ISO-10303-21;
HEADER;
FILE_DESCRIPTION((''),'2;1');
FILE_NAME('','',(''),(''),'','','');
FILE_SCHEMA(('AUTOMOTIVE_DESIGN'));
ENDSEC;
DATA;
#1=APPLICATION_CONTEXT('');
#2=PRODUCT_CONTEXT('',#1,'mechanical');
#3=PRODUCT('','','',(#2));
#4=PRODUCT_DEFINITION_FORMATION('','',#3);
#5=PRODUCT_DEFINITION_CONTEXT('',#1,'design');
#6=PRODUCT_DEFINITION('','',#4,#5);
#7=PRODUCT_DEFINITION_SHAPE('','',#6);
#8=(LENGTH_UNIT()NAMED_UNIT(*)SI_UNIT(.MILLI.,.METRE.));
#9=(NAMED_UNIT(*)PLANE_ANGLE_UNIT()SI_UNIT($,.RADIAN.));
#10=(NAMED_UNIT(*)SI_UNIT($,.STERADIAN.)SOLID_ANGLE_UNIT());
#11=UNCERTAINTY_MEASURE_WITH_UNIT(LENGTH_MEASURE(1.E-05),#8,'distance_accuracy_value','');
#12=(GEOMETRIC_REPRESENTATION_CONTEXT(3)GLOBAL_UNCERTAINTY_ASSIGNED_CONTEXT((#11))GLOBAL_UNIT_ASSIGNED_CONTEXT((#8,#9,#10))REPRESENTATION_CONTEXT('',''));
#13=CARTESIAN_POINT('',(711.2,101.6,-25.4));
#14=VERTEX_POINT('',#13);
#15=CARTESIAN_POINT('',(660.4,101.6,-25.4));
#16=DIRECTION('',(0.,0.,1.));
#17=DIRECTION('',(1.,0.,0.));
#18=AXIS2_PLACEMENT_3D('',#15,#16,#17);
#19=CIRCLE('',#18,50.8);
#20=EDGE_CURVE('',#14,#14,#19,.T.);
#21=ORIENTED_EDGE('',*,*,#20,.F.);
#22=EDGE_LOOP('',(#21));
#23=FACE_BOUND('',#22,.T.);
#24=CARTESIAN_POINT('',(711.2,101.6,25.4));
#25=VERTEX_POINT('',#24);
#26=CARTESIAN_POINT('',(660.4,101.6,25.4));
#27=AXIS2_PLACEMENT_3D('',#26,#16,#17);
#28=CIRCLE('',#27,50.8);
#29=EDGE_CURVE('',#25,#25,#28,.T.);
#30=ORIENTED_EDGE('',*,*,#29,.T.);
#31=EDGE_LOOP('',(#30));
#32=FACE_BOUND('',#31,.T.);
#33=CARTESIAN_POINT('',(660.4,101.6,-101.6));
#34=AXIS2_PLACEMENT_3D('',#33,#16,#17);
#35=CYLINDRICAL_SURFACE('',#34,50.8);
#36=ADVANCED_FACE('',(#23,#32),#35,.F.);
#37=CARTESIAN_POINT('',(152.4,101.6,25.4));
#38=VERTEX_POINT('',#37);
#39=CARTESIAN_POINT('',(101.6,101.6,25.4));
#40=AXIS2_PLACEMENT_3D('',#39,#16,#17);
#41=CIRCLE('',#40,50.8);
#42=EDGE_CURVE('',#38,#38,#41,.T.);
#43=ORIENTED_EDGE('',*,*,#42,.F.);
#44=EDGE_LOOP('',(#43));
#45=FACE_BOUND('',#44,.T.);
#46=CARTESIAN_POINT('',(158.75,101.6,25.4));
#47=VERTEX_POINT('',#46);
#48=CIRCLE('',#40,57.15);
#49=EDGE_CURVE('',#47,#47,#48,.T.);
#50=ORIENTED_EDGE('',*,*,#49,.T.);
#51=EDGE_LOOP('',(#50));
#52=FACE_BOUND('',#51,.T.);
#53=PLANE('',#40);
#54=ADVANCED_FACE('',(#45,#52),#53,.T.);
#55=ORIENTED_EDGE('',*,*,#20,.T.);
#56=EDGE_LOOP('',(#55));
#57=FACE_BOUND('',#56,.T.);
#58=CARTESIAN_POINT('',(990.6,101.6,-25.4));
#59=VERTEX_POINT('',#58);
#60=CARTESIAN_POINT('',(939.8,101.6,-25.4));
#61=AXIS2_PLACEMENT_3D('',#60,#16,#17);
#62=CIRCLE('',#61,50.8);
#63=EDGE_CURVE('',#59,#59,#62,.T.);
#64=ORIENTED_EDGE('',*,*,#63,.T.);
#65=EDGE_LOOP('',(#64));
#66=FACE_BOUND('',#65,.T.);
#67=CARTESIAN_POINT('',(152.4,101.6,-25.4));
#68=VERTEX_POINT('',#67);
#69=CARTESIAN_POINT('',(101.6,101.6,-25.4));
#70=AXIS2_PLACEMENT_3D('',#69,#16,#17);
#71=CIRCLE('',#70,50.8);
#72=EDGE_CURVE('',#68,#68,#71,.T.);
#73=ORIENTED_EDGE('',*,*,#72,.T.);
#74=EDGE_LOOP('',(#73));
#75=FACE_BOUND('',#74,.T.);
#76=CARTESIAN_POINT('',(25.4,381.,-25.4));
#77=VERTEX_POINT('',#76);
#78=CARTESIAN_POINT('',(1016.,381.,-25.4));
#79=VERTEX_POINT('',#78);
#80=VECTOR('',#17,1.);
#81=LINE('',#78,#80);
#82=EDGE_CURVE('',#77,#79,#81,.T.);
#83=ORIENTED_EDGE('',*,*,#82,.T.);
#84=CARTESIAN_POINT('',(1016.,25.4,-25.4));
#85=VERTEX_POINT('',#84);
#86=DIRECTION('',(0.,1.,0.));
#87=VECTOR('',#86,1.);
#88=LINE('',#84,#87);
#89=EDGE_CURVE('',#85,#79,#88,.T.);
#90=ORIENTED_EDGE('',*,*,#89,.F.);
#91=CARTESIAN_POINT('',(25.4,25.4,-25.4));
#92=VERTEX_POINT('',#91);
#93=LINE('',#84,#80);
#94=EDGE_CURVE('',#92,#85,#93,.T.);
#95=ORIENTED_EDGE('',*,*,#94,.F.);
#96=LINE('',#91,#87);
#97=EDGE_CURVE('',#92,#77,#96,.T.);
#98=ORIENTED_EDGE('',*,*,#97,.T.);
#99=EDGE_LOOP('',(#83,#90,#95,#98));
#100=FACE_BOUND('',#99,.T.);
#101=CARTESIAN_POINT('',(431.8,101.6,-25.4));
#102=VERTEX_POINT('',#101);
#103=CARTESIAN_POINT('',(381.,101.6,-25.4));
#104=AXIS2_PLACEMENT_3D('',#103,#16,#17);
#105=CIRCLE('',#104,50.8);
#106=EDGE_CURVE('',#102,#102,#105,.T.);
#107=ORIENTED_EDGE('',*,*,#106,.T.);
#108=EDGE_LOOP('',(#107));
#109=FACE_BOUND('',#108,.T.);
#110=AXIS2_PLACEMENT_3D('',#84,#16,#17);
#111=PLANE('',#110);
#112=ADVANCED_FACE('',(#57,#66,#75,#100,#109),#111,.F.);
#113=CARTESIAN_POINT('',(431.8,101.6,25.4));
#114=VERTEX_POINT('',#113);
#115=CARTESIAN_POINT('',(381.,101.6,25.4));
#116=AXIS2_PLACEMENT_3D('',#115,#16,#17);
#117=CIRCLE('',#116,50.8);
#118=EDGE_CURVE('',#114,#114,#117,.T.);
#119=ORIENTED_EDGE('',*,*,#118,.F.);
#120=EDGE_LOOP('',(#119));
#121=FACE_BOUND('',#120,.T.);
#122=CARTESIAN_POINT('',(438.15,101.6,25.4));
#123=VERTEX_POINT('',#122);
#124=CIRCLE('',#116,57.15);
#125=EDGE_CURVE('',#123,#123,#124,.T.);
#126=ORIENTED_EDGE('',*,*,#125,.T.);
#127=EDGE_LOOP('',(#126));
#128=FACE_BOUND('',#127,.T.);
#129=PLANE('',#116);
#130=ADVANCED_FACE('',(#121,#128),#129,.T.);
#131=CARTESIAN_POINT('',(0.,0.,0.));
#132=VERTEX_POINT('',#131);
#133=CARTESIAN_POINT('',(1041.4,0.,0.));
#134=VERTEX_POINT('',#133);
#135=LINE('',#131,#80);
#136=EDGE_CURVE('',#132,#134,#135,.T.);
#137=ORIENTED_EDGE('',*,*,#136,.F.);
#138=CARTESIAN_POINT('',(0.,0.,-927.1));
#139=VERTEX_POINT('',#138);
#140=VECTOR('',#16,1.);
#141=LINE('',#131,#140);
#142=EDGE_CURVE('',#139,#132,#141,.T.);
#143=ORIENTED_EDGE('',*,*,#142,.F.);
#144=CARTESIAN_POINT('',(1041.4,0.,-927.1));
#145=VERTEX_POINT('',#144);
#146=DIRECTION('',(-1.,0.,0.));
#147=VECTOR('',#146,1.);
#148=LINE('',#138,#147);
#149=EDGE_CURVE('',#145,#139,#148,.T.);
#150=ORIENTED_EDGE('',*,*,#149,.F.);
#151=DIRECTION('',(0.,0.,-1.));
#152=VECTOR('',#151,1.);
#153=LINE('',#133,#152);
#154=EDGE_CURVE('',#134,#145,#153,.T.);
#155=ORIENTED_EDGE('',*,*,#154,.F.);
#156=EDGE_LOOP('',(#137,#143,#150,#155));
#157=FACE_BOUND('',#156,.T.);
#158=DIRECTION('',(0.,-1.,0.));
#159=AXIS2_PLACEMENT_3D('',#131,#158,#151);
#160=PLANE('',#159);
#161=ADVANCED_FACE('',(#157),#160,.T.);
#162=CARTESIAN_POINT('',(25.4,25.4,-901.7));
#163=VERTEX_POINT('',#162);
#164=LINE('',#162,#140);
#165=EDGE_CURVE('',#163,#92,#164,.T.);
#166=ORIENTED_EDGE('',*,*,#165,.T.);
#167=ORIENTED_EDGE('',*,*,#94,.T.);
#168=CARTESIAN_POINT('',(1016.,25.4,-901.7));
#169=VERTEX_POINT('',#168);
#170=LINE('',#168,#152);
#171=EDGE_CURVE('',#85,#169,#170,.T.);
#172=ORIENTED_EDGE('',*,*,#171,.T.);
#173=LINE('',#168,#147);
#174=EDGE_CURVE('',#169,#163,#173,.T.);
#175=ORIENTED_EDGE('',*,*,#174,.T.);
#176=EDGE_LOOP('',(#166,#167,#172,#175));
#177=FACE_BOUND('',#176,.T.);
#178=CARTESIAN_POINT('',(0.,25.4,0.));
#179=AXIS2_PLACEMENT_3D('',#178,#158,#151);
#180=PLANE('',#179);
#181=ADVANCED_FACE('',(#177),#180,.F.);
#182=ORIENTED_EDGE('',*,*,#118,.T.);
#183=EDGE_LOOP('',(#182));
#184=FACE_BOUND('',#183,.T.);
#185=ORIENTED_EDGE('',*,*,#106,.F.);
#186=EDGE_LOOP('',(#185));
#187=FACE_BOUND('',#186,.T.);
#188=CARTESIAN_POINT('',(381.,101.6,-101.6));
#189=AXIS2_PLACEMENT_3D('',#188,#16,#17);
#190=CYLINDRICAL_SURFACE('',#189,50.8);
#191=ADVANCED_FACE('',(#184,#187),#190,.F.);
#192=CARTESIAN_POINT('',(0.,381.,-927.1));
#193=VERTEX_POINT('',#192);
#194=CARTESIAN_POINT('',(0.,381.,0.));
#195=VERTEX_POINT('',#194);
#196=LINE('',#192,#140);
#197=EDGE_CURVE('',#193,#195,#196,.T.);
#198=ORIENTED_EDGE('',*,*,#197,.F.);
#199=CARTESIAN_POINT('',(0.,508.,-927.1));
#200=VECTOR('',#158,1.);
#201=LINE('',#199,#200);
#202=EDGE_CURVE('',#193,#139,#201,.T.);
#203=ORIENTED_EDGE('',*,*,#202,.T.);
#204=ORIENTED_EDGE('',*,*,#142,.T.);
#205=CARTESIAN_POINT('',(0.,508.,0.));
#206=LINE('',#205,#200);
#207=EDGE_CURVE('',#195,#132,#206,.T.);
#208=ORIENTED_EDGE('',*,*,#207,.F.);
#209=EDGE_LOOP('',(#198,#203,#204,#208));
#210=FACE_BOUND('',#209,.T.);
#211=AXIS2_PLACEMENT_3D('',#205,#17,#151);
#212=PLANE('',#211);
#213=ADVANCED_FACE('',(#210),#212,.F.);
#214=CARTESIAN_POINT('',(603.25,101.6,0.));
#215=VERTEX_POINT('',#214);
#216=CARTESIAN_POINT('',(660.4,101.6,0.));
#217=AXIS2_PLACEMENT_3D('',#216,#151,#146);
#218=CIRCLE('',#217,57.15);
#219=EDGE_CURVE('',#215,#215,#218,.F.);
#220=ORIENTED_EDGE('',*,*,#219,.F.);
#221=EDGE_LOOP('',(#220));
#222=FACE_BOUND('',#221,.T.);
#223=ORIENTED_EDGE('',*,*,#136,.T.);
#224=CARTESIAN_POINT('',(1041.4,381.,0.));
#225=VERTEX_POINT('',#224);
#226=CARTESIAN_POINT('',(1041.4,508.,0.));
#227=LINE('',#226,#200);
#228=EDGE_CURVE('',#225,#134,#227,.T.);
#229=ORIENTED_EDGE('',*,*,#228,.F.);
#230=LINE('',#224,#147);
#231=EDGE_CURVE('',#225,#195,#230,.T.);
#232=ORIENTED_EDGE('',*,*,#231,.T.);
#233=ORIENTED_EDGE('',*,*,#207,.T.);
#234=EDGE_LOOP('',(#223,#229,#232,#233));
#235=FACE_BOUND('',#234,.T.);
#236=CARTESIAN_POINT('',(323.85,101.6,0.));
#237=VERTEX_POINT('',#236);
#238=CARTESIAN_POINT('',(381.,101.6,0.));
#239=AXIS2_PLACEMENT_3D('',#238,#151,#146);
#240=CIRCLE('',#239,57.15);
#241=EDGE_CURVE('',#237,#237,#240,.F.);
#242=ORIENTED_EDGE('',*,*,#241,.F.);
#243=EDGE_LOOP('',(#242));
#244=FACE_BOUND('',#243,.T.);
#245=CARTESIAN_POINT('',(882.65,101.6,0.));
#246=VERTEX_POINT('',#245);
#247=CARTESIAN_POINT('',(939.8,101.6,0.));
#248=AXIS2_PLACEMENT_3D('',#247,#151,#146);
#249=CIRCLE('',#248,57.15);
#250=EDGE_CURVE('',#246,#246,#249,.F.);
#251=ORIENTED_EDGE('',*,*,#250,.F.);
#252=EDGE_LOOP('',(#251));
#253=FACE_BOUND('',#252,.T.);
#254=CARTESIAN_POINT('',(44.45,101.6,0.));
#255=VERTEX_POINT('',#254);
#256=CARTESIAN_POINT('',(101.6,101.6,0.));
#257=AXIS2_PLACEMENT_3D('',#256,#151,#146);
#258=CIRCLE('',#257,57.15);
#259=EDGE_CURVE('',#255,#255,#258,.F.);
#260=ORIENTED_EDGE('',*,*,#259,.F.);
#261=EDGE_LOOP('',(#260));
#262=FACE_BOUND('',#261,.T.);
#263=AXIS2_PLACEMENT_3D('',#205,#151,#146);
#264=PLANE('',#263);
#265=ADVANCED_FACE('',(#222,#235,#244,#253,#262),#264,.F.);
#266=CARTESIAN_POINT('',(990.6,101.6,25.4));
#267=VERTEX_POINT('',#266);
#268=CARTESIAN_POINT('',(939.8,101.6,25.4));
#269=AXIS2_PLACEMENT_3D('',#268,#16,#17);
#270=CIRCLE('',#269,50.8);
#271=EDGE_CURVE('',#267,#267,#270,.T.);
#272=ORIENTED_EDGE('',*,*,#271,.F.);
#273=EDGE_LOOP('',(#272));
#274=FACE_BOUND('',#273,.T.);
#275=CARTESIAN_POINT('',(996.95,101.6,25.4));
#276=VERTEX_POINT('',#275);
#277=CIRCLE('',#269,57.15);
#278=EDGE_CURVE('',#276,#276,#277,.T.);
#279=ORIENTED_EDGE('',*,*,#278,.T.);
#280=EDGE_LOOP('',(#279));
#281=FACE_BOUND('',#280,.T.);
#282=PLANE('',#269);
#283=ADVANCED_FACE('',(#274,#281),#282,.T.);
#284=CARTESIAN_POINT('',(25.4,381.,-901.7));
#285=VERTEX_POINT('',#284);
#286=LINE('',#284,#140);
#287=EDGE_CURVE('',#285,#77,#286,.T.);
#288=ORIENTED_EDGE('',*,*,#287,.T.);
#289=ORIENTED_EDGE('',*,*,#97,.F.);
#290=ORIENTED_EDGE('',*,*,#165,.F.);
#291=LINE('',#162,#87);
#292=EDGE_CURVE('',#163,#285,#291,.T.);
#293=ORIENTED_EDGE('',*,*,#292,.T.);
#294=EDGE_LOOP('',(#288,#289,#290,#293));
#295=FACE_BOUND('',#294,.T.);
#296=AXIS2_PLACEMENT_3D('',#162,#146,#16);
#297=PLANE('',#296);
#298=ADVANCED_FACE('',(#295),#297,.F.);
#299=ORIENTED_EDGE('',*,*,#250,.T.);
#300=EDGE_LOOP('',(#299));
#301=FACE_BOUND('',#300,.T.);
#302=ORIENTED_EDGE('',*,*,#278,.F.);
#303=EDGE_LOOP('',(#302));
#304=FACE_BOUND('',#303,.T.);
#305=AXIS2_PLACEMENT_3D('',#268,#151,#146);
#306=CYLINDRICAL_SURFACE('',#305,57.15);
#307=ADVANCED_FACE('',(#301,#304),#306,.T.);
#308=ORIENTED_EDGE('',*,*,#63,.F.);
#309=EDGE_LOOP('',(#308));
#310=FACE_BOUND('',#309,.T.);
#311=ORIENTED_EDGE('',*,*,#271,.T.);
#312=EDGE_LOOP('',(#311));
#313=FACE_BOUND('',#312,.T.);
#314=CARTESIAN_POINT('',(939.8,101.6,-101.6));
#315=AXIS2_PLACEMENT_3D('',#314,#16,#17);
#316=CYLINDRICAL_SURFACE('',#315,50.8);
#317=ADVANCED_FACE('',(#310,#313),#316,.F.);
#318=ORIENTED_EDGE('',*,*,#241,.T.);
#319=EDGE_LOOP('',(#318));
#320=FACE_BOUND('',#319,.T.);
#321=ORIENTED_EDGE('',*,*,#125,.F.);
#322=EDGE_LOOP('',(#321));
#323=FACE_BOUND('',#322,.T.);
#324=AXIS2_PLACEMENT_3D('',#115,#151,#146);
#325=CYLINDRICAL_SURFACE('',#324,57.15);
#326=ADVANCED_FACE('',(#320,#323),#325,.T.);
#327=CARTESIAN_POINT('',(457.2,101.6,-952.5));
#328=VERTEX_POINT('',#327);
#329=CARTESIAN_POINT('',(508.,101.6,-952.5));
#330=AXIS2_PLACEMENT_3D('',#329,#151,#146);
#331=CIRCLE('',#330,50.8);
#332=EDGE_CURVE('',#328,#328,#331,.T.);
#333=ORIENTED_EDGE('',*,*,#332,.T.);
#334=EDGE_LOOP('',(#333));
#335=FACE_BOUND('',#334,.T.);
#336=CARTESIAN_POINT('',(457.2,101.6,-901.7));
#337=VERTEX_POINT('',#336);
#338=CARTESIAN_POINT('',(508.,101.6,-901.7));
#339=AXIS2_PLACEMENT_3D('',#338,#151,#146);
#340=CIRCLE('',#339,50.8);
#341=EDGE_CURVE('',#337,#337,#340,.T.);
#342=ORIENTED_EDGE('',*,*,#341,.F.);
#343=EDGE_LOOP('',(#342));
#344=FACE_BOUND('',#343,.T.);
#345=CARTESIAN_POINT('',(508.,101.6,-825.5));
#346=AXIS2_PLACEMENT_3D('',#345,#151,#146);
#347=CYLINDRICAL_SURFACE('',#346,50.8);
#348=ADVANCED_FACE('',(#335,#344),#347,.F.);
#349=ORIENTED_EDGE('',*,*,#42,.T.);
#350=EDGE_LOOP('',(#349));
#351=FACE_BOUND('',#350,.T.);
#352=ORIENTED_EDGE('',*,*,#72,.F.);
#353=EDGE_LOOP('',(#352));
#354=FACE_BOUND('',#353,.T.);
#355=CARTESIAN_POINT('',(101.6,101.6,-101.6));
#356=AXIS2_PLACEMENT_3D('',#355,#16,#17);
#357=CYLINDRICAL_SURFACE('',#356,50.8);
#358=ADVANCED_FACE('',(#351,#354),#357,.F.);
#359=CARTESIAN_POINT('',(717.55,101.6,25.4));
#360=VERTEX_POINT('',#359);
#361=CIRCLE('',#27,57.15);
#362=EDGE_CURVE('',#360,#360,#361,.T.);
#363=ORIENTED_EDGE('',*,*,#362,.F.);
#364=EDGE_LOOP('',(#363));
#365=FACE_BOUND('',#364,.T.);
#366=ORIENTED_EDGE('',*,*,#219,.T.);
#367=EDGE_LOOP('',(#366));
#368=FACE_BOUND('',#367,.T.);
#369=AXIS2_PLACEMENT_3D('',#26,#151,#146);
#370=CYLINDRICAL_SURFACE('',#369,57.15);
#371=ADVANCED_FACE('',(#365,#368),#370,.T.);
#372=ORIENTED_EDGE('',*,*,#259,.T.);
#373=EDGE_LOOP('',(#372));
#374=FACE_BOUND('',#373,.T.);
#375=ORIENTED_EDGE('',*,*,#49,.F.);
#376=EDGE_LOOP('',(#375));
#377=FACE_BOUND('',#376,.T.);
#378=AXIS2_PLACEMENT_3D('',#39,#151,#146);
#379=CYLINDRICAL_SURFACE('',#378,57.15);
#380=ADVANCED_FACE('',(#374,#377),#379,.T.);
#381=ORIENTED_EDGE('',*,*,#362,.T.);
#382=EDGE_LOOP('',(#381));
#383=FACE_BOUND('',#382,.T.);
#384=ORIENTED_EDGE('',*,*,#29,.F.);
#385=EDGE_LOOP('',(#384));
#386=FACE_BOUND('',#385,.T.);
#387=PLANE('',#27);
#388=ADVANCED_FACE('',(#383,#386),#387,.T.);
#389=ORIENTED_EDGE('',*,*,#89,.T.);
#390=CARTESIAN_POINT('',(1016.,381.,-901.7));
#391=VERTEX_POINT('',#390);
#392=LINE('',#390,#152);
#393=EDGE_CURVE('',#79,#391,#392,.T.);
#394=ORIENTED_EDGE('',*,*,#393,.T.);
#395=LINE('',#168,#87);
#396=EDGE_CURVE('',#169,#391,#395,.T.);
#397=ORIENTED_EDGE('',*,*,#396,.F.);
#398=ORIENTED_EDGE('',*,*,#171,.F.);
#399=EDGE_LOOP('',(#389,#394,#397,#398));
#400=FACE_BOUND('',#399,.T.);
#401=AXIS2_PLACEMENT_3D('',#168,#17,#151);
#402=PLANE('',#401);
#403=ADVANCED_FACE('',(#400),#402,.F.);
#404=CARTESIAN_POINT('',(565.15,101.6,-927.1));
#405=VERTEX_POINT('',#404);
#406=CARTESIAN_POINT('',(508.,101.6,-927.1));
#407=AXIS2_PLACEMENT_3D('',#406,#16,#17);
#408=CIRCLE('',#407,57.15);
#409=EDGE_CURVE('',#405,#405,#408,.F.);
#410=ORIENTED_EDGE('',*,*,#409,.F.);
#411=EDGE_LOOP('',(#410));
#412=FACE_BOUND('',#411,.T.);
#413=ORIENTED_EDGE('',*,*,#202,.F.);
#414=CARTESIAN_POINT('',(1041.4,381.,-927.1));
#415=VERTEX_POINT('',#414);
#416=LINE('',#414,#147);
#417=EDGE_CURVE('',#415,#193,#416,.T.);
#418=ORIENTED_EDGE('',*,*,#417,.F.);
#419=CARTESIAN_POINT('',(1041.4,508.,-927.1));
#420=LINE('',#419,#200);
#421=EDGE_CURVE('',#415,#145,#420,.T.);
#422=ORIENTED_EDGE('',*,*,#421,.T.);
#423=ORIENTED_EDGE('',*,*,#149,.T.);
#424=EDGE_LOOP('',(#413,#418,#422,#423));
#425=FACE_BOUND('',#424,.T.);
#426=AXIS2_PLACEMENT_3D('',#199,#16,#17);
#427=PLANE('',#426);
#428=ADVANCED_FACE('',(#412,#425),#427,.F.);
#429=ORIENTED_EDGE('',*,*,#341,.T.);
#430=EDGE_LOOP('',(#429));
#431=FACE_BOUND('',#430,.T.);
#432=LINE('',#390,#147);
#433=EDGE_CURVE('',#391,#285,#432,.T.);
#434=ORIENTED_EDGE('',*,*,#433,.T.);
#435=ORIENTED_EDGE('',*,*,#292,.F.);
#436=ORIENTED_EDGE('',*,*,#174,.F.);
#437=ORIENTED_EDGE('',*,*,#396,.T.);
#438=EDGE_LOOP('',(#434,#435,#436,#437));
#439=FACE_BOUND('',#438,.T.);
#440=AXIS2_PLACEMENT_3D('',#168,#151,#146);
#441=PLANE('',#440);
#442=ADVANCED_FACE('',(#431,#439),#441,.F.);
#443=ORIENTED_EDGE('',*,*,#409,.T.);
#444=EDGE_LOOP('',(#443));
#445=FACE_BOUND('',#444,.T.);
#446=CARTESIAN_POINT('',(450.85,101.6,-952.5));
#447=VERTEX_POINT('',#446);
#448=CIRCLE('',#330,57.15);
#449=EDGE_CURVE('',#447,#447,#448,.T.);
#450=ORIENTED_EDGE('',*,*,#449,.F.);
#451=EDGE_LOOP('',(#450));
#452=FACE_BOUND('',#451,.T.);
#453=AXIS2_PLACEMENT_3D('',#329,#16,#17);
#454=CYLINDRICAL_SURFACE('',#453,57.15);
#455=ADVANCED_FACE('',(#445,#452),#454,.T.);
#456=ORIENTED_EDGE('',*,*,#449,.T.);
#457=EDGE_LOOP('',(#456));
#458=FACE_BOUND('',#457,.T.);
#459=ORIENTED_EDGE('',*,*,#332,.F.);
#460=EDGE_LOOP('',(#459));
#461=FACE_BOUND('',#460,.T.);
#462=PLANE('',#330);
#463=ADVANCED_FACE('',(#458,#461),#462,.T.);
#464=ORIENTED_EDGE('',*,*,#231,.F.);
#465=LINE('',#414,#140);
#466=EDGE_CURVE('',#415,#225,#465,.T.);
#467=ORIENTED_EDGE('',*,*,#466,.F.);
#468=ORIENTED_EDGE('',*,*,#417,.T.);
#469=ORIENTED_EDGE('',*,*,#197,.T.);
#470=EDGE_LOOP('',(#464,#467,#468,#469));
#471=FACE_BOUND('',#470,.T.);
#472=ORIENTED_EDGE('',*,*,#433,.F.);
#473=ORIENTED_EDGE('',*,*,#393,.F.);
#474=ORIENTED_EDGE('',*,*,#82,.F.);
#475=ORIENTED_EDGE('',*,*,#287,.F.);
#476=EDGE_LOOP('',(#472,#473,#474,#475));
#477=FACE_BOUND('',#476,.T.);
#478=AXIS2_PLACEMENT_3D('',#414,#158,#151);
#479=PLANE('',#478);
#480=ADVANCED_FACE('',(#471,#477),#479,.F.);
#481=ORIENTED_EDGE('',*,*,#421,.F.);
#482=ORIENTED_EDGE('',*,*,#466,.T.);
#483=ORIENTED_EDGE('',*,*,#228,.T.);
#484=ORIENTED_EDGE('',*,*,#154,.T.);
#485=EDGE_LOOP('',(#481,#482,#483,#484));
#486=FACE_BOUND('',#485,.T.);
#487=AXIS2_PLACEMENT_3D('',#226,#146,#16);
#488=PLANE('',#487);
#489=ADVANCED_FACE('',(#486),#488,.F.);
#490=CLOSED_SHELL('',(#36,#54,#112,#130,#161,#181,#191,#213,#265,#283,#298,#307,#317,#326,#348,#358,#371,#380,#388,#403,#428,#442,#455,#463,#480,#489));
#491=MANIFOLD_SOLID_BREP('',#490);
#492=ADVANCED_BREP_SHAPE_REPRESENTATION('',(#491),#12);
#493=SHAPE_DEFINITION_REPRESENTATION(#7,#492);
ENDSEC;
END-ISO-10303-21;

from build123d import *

# Parameters (mm, degrees)
SKETCH1_W           = 1041.4
SKETCH1_H           = 927.1
BOSS_EXTRUDE1_DEPTH = 508
SKETCH3_R           = 57.15
BOSS_EXTRUDE2_DEPTH = 25.4
SKETCH4_R           = 57.15
BOSS_EXTRUDE3_DEPTH = 25.4
SKETCH5_W           = 990.6
SKETCH5_H           = 876.3
CUT_EXTRUDE1_DEPTH  = 482.6
SKETCH6_R           = 50.8
CUT_EXTRUDE2_DEPTH  = 127
SKETCH7_R           = 50.8
CUT_EXTRUDE3_DEPTH  = 127
SKETCH8_W           = 927.1
SKETCH8_H           = 127
CUT_EXTRUDE4_DEPTH  = 1041.4


with BuildPart() as part:
    # Sketch1 → Boss-Extrude1 (new body)
    with BuildSketch(Plane(origin=(0, 0, 0), x_dir=(1, 0, 0), z_dir=(0, 1, 0))):
        with Locations((520.7, 463.55)):
            Rectangle(SKETCH1_W, SKETCH1_H)
    extrude(amount=BOSS_EXTRUDE1_DEPTH)

    # Sketch3 → Boss-Extrude2 (add)
    with BuildSketch(Plane.XY):
        with Locations(Location((101.6, 101.6, 0), (0, 0, 180))):
            Circle(SKETCH3_R)
        with Locations(Location((381, 101.6, 0), (0, 0, 180))):
            Circle(SKETCH3_R)
        with Locations(Location((660.4, 101.6, 0), (0, 0, 180))):
            Circle(SKETCH3_R)
        with Locations(Location((939.8, 101.6, 0), (0, 0, 180))):
            Circle(SKETCH3_R)
    extrude(amount=BOSS_EXTRUDE2_DEPTH)

    # Sketch4 → Boss-Extrude3 (add)
    with BuildSketch(Plane(origin=(0, 0, -927.1), x_dir=(-1, 0, 0), z_dir=(0, 0, -1))):
        with Locations(Location((-508, 101.6, 0), (0, 0, 180))):
            Circle(SKETCH4_R)
    extrude(amount=BOSS_EXTRUDE3_DEPTH)

    # Sketch5 → Cut-Extrude1 (cut)
    with BuildSketch(Plane(origin=(0, 508, 0), x_dir=(1, 0, 0), z_dir=(0, 1, 0))):
        with Locations((520.7, 463.55)):
            Rectangle(SKETCH5_W, SKETCH5_H)
    extrude(amount=-CUT_EXTRUDE1_DEPTH, mode=Mode.SUBTRACT)

    # Sketch6 → Cut-Extrude2 (cut)
    with BuildSketch(Plane.XY.offset(25.4)):
        with Locations((101.6, 101.6)):
            Circle(SKETCH6_R)
        with Locations((381, 101.6)):
            Circle(SKETCH6_R)
        with Locations((660.4, 101.6)):
            Circle(SKETCH6_R)
        with Locations((939.8, 101.6)):
            Circle(SKETCH6_R)
    extrude(amount=-CUT_EXTRUDE2_DEPTH, mode=Mode.SUBTRACT)

    # Sketch7 → Cut-Extrude3 (cut)
    with BuildSketch(Plane(origin=(0, 0, -952.5), x_dir=(-1, 0, 0), z_dir=(0, 0, -1))):
        with Locations((-508, 101.6)):
            Circle(SKETCH7_R)
    extrude(amount=-CUT_EXTRUDE3_DEPTH, mode=Mode.SUBTRACT)

    # Sketch8 → Cut-Extrude4 (cut)
    with BuildSketch(Plane.ZY):
        with Locations((-463.55, 444.5)):
            Rectangle(SKETCH8_W, SKETCH8_H)
    extrude(amount=-CUT_EXTRUDE4_DEPTH, mode=Mode.SUBTRACT)


solid = part.part
